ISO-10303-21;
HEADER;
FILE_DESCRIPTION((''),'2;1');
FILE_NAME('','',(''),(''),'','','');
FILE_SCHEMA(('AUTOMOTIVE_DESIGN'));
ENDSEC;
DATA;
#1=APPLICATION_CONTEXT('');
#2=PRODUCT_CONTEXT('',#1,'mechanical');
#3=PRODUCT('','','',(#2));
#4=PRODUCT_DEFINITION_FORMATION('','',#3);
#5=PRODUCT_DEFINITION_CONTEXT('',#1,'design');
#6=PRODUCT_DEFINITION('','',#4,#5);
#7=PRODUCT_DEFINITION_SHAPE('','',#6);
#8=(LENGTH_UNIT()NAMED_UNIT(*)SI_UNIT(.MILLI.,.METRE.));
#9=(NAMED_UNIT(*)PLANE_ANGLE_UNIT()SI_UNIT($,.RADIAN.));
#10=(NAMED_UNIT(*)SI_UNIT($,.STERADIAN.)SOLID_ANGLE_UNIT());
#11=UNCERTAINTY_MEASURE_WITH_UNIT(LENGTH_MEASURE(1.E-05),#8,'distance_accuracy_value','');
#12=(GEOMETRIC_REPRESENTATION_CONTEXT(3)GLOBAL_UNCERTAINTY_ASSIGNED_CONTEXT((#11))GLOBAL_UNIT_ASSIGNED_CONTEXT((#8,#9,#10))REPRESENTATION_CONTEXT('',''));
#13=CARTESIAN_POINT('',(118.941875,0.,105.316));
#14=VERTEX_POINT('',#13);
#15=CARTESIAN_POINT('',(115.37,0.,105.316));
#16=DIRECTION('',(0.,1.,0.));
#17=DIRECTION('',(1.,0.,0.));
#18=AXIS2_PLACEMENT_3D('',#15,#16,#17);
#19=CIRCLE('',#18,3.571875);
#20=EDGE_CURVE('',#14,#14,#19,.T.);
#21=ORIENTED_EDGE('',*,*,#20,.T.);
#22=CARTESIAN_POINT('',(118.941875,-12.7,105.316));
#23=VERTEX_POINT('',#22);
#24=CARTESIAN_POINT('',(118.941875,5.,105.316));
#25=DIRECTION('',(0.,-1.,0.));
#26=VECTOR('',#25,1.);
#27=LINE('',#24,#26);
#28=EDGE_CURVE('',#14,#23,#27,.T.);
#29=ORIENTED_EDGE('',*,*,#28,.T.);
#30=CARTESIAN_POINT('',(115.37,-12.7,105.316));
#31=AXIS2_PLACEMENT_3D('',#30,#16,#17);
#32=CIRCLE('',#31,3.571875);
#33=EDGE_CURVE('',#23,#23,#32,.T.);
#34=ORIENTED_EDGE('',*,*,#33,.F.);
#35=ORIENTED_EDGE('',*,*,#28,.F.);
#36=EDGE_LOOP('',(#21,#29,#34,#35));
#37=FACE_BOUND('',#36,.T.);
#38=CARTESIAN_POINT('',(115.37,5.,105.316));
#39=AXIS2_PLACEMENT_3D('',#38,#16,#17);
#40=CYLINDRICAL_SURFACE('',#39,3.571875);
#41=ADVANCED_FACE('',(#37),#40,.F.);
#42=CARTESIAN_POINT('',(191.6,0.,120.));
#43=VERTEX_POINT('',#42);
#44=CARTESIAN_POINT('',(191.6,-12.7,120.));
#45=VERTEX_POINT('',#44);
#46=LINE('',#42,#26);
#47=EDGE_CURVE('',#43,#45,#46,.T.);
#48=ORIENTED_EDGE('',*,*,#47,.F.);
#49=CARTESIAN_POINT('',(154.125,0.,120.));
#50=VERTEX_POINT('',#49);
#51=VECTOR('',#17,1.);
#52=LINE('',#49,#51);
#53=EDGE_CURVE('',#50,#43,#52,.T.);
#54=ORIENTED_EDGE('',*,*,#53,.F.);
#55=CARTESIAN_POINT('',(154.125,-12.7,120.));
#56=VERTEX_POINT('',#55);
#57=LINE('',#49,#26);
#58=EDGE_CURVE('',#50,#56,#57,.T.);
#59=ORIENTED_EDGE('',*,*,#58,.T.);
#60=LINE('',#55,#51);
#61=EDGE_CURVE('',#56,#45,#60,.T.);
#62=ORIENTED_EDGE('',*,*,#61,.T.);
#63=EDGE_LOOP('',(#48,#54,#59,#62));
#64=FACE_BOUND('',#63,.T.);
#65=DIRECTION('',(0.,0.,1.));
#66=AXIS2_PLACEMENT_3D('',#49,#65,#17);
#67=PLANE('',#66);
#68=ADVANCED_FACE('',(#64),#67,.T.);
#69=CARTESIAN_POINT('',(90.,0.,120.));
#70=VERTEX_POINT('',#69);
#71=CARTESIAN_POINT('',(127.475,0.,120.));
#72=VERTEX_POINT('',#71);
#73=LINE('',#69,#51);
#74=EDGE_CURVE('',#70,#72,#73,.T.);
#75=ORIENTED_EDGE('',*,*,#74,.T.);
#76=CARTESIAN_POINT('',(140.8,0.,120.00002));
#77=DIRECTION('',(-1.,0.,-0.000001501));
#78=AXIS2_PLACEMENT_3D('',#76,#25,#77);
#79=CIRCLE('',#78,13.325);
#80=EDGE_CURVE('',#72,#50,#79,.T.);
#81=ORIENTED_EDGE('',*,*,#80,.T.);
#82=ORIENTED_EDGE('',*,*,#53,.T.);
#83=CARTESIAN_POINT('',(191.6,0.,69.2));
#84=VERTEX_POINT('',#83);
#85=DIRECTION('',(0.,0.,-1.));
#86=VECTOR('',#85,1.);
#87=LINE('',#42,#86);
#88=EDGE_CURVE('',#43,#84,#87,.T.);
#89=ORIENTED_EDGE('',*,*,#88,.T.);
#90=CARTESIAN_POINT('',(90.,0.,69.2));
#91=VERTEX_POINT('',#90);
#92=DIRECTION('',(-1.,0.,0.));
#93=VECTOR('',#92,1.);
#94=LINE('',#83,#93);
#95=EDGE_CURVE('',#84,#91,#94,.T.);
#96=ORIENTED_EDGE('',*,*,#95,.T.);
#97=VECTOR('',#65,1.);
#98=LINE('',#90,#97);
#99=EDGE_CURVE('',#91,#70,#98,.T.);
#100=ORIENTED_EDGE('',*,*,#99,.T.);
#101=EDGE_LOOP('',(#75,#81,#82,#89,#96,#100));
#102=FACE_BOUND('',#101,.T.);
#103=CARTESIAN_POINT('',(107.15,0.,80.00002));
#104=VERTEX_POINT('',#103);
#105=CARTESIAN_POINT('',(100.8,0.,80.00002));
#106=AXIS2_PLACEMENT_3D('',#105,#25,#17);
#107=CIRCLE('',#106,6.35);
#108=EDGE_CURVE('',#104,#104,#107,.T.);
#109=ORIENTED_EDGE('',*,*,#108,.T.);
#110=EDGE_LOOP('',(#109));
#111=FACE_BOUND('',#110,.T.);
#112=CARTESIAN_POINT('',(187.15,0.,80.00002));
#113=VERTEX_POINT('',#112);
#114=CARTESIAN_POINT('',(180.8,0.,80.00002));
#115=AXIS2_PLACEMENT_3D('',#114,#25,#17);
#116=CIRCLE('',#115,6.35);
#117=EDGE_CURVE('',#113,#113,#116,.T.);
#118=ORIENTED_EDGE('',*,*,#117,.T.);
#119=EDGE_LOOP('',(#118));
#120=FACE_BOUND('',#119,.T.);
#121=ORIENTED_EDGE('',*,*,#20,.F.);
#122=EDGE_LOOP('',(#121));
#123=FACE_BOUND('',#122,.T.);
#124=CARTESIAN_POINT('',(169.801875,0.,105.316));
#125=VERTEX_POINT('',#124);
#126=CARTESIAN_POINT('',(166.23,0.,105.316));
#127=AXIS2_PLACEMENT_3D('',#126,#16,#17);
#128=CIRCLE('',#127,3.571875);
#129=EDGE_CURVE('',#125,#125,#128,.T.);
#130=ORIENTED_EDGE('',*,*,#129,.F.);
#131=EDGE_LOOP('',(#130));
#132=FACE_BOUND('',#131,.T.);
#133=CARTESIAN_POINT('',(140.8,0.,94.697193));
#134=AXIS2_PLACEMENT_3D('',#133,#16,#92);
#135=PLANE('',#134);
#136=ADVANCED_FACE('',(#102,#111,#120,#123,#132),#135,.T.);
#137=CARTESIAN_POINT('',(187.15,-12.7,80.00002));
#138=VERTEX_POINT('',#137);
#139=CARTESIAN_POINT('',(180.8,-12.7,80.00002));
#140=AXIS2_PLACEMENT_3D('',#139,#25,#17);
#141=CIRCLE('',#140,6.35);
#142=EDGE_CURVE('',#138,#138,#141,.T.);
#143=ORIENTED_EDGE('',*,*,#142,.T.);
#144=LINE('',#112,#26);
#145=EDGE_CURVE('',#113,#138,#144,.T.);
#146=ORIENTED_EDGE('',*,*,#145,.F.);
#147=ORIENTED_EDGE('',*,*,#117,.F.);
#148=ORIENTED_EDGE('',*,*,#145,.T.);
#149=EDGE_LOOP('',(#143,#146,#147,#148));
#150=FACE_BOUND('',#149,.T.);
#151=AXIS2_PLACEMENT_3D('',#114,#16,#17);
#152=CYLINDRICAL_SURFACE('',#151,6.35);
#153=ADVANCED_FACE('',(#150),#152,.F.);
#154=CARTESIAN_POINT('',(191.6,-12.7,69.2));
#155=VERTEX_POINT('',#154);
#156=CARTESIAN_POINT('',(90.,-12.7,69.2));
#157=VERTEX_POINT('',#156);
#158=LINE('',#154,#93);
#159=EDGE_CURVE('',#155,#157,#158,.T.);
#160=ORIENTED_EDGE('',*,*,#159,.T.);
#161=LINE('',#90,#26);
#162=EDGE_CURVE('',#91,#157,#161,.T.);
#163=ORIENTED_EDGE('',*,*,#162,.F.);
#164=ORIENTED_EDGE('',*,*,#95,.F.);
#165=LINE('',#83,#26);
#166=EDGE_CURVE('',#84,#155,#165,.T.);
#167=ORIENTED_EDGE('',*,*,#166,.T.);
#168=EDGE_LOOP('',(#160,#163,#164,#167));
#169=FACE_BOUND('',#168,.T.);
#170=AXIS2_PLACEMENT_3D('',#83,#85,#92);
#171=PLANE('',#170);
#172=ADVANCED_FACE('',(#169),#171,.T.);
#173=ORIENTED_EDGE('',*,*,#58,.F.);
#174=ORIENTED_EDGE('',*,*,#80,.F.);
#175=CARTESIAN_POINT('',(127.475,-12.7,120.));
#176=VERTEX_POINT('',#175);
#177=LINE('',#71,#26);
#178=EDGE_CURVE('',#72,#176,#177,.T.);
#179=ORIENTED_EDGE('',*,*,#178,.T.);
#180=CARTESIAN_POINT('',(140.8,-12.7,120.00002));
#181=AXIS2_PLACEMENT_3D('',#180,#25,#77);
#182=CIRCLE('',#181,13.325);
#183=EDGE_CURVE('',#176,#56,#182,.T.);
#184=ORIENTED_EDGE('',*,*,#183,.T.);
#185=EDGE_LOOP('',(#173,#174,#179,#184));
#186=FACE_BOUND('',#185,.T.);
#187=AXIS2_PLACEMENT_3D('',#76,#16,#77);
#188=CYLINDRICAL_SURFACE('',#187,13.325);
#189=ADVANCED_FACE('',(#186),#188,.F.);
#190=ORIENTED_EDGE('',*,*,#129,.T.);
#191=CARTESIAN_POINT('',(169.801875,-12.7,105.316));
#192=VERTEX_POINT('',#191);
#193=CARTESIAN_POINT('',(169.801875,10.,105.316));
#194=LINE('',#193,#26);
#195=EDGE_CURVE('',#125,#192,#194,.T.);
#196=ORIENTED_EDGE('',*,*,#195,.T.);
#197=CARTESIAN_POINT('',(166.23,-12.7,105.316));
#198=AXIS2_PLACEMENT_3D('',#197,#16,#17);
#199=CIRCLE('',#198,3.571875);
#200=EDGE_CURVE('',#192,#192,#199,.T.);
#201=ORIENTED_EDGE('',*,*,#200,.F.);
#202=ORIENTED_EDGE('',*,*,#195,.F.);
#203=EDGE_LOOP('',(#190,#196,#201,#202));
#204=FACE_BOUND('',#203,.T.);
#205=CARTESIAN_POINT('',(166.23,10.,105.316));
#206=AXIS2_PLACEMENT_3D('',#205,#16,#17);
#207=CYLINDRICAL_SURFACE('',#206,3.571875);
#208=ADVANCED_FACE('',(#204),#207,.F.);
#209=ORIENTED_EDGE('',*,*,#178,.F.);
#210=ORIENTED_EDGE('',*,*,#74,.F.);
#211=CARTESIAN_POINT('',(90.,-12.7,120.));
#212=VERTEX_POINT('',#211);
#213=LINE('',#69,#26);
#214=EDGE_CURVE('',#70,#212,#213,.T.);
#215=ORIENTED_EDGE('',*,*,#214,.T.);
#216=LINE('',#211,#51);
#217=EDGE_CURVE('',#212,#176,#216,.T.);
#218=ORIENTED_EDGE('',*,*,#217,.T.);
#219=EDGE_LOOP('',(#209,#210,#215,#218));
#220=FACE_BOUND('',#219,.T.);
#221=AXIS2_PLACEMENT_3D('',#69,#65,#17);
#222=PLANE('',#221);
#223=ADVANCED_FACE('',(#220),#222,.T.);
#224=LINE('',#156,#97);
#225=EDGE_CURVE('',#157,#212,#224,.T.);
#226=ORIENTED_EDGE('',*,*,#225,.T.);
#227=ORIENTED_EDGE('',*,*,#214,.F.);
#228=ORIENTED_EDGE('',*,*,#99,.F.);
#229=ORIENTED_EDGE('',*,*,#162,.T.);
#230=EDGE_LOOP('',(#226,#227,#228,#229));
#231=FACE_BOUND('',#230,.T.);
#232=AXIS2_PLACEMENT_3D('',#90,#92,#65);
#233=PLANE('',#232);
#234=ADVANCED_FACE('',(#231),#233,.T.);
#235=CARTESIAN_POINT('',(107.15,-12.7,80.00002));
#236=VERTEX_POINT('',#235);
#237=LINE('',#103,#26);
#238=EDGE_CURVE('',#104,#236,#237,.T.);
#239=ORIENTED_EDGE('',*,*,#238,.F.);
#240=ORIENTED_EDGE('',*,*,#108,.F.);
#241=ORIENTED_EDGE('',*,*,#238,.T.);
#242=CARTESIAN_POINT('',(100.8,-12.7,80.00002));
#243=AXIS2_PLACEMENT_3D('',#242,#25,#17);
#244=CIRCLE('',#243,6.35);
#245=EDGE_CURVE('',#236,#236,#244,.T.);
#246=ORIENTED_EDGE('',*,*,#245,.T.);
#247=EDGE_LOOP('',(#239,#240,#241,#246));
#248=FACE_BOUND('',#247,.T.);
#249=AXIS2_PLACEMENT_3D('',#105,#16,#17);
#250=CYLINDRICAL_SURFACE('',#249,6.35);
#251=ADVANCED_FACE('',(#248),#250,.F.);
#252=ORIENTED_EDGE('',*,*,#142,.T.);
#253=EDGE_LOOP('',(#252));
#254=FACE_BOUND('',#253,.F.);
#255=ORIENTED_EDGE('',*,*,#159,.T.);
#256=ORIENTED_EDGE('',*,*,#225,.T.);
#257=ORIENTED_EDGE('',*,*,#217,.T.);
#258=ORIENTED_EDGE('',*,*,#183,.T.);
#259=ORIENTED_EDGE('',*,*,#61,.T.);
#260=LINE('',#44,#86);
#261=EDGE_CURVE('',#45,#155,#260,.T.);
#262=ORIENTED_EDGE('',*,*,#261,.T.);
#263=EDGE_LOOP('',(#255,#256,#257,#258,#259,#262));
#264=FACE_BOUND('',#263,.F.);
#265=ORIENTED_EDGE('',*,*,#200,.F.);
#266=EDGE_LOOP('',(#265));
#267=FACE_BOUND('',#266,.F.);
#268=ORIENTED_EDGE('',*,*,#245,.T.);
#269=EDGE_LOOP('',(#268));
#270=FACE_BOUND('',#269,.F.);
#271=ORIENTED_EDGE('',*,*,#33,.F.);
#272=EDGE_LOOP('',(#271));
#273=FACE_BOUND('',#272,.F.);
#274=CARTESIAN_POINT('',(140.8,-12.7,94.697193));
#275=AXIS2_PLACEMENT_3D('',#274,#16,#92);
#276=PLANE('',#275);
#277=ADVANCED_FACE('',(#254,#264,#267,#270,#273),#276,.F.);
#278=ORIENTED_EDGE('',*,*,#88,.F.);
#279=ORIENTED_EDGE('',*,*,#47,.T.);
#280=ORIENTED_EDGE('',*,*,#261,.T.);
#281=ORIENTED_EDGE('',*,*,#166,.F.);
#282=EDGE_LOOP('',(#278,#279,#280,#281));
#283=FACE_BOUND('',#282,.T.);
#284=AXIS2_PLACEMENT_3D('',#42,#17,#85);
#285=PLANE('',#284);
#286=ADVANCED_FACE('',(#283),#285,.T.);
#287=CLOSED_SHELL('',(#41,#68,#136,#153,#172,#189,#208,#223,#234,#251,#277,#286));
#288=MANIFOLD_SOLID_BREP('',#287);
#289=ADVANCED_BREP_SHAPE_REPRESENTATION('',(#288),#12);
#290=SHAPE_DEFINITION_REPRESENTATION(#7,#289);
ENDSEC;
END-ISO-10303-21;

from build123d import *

# Parameters (mm, degrees)
SKETCH060_R  = 3.571875
PAD060_DEPTH = 50
SKETCH059_R  = 3.571875
PAD059_DEPTH = 33.7
SKETCH058_R  = 6.35
PAD058_DEPTH = 12.7


with BuildPart() as body060:
    # Sketch060 → Pad060 (new body)
    with BuildSketch(Plane.XZ):
        Circle(SKETCH060_R)
    extrude(amount=PAD060_DEPTH)


with BuildPart() as body060_1:
    # Body060 placement: moved
    add(body060.part.moved(Location((66.23, 10, 105.316))))


with BuildPart() as body059:
    # Sketch059 → Pad059 (new body)
    with BuildSketch(Plane.XZ):
        Circle(SKETCH059_R)
    extrude(amount=PAD059_DEPTH)


with BuildPart() as body059_1:
    # Body059 placement: moved
    add(body059.part.moved(Location((15.37, 5, 105.316))))


with BuildPart() as cut050:
    # Sketch058 → Pad058 (new body)
    with BuildSketch(Plane.XZ):
        with BuildLine():
            Line((0, 59.2), (0, 110))
            Line((0, 110), (37.475, 110))
            ThreePointArc((37.475, 110), (50.8, 96.67502), (64.125, 110))
            Line((64.125, 110), (101.6, 110))
            Line((101.6, 110), (101.6, 59.2))
            Line((101.6, 59.2), (0, 59.2))
        make_face()
        with Locations((10.8, 70.00002)):
            Circle(SKETCH058_R, mode=Mode.SUBTRACT)
        with Locations((90.8, 70.00002)):
            Circle(SKETCH058_R, mode=Mode.SUBTRACT)
    extrude(amount=PAD058_DEPTH)


with BuildPart() as cut050_1:
    # Body058 placement: moved
    add(cut050.part.moved(Location((-10, 0, 10))))

    # Cut049: cut Body059
    add(body059_1.part, mode=Mode.SUBTRACT)

    # Cut050: cut Body060
    add(body060_1.part, mode=Mode.SUBTRACT)


with BuildPart() as cut050_2:
    # Cut050 placement: moved
    add(cut050_1.part.moved(Location((100, 0, 0))))


solid = cut050_2.part
